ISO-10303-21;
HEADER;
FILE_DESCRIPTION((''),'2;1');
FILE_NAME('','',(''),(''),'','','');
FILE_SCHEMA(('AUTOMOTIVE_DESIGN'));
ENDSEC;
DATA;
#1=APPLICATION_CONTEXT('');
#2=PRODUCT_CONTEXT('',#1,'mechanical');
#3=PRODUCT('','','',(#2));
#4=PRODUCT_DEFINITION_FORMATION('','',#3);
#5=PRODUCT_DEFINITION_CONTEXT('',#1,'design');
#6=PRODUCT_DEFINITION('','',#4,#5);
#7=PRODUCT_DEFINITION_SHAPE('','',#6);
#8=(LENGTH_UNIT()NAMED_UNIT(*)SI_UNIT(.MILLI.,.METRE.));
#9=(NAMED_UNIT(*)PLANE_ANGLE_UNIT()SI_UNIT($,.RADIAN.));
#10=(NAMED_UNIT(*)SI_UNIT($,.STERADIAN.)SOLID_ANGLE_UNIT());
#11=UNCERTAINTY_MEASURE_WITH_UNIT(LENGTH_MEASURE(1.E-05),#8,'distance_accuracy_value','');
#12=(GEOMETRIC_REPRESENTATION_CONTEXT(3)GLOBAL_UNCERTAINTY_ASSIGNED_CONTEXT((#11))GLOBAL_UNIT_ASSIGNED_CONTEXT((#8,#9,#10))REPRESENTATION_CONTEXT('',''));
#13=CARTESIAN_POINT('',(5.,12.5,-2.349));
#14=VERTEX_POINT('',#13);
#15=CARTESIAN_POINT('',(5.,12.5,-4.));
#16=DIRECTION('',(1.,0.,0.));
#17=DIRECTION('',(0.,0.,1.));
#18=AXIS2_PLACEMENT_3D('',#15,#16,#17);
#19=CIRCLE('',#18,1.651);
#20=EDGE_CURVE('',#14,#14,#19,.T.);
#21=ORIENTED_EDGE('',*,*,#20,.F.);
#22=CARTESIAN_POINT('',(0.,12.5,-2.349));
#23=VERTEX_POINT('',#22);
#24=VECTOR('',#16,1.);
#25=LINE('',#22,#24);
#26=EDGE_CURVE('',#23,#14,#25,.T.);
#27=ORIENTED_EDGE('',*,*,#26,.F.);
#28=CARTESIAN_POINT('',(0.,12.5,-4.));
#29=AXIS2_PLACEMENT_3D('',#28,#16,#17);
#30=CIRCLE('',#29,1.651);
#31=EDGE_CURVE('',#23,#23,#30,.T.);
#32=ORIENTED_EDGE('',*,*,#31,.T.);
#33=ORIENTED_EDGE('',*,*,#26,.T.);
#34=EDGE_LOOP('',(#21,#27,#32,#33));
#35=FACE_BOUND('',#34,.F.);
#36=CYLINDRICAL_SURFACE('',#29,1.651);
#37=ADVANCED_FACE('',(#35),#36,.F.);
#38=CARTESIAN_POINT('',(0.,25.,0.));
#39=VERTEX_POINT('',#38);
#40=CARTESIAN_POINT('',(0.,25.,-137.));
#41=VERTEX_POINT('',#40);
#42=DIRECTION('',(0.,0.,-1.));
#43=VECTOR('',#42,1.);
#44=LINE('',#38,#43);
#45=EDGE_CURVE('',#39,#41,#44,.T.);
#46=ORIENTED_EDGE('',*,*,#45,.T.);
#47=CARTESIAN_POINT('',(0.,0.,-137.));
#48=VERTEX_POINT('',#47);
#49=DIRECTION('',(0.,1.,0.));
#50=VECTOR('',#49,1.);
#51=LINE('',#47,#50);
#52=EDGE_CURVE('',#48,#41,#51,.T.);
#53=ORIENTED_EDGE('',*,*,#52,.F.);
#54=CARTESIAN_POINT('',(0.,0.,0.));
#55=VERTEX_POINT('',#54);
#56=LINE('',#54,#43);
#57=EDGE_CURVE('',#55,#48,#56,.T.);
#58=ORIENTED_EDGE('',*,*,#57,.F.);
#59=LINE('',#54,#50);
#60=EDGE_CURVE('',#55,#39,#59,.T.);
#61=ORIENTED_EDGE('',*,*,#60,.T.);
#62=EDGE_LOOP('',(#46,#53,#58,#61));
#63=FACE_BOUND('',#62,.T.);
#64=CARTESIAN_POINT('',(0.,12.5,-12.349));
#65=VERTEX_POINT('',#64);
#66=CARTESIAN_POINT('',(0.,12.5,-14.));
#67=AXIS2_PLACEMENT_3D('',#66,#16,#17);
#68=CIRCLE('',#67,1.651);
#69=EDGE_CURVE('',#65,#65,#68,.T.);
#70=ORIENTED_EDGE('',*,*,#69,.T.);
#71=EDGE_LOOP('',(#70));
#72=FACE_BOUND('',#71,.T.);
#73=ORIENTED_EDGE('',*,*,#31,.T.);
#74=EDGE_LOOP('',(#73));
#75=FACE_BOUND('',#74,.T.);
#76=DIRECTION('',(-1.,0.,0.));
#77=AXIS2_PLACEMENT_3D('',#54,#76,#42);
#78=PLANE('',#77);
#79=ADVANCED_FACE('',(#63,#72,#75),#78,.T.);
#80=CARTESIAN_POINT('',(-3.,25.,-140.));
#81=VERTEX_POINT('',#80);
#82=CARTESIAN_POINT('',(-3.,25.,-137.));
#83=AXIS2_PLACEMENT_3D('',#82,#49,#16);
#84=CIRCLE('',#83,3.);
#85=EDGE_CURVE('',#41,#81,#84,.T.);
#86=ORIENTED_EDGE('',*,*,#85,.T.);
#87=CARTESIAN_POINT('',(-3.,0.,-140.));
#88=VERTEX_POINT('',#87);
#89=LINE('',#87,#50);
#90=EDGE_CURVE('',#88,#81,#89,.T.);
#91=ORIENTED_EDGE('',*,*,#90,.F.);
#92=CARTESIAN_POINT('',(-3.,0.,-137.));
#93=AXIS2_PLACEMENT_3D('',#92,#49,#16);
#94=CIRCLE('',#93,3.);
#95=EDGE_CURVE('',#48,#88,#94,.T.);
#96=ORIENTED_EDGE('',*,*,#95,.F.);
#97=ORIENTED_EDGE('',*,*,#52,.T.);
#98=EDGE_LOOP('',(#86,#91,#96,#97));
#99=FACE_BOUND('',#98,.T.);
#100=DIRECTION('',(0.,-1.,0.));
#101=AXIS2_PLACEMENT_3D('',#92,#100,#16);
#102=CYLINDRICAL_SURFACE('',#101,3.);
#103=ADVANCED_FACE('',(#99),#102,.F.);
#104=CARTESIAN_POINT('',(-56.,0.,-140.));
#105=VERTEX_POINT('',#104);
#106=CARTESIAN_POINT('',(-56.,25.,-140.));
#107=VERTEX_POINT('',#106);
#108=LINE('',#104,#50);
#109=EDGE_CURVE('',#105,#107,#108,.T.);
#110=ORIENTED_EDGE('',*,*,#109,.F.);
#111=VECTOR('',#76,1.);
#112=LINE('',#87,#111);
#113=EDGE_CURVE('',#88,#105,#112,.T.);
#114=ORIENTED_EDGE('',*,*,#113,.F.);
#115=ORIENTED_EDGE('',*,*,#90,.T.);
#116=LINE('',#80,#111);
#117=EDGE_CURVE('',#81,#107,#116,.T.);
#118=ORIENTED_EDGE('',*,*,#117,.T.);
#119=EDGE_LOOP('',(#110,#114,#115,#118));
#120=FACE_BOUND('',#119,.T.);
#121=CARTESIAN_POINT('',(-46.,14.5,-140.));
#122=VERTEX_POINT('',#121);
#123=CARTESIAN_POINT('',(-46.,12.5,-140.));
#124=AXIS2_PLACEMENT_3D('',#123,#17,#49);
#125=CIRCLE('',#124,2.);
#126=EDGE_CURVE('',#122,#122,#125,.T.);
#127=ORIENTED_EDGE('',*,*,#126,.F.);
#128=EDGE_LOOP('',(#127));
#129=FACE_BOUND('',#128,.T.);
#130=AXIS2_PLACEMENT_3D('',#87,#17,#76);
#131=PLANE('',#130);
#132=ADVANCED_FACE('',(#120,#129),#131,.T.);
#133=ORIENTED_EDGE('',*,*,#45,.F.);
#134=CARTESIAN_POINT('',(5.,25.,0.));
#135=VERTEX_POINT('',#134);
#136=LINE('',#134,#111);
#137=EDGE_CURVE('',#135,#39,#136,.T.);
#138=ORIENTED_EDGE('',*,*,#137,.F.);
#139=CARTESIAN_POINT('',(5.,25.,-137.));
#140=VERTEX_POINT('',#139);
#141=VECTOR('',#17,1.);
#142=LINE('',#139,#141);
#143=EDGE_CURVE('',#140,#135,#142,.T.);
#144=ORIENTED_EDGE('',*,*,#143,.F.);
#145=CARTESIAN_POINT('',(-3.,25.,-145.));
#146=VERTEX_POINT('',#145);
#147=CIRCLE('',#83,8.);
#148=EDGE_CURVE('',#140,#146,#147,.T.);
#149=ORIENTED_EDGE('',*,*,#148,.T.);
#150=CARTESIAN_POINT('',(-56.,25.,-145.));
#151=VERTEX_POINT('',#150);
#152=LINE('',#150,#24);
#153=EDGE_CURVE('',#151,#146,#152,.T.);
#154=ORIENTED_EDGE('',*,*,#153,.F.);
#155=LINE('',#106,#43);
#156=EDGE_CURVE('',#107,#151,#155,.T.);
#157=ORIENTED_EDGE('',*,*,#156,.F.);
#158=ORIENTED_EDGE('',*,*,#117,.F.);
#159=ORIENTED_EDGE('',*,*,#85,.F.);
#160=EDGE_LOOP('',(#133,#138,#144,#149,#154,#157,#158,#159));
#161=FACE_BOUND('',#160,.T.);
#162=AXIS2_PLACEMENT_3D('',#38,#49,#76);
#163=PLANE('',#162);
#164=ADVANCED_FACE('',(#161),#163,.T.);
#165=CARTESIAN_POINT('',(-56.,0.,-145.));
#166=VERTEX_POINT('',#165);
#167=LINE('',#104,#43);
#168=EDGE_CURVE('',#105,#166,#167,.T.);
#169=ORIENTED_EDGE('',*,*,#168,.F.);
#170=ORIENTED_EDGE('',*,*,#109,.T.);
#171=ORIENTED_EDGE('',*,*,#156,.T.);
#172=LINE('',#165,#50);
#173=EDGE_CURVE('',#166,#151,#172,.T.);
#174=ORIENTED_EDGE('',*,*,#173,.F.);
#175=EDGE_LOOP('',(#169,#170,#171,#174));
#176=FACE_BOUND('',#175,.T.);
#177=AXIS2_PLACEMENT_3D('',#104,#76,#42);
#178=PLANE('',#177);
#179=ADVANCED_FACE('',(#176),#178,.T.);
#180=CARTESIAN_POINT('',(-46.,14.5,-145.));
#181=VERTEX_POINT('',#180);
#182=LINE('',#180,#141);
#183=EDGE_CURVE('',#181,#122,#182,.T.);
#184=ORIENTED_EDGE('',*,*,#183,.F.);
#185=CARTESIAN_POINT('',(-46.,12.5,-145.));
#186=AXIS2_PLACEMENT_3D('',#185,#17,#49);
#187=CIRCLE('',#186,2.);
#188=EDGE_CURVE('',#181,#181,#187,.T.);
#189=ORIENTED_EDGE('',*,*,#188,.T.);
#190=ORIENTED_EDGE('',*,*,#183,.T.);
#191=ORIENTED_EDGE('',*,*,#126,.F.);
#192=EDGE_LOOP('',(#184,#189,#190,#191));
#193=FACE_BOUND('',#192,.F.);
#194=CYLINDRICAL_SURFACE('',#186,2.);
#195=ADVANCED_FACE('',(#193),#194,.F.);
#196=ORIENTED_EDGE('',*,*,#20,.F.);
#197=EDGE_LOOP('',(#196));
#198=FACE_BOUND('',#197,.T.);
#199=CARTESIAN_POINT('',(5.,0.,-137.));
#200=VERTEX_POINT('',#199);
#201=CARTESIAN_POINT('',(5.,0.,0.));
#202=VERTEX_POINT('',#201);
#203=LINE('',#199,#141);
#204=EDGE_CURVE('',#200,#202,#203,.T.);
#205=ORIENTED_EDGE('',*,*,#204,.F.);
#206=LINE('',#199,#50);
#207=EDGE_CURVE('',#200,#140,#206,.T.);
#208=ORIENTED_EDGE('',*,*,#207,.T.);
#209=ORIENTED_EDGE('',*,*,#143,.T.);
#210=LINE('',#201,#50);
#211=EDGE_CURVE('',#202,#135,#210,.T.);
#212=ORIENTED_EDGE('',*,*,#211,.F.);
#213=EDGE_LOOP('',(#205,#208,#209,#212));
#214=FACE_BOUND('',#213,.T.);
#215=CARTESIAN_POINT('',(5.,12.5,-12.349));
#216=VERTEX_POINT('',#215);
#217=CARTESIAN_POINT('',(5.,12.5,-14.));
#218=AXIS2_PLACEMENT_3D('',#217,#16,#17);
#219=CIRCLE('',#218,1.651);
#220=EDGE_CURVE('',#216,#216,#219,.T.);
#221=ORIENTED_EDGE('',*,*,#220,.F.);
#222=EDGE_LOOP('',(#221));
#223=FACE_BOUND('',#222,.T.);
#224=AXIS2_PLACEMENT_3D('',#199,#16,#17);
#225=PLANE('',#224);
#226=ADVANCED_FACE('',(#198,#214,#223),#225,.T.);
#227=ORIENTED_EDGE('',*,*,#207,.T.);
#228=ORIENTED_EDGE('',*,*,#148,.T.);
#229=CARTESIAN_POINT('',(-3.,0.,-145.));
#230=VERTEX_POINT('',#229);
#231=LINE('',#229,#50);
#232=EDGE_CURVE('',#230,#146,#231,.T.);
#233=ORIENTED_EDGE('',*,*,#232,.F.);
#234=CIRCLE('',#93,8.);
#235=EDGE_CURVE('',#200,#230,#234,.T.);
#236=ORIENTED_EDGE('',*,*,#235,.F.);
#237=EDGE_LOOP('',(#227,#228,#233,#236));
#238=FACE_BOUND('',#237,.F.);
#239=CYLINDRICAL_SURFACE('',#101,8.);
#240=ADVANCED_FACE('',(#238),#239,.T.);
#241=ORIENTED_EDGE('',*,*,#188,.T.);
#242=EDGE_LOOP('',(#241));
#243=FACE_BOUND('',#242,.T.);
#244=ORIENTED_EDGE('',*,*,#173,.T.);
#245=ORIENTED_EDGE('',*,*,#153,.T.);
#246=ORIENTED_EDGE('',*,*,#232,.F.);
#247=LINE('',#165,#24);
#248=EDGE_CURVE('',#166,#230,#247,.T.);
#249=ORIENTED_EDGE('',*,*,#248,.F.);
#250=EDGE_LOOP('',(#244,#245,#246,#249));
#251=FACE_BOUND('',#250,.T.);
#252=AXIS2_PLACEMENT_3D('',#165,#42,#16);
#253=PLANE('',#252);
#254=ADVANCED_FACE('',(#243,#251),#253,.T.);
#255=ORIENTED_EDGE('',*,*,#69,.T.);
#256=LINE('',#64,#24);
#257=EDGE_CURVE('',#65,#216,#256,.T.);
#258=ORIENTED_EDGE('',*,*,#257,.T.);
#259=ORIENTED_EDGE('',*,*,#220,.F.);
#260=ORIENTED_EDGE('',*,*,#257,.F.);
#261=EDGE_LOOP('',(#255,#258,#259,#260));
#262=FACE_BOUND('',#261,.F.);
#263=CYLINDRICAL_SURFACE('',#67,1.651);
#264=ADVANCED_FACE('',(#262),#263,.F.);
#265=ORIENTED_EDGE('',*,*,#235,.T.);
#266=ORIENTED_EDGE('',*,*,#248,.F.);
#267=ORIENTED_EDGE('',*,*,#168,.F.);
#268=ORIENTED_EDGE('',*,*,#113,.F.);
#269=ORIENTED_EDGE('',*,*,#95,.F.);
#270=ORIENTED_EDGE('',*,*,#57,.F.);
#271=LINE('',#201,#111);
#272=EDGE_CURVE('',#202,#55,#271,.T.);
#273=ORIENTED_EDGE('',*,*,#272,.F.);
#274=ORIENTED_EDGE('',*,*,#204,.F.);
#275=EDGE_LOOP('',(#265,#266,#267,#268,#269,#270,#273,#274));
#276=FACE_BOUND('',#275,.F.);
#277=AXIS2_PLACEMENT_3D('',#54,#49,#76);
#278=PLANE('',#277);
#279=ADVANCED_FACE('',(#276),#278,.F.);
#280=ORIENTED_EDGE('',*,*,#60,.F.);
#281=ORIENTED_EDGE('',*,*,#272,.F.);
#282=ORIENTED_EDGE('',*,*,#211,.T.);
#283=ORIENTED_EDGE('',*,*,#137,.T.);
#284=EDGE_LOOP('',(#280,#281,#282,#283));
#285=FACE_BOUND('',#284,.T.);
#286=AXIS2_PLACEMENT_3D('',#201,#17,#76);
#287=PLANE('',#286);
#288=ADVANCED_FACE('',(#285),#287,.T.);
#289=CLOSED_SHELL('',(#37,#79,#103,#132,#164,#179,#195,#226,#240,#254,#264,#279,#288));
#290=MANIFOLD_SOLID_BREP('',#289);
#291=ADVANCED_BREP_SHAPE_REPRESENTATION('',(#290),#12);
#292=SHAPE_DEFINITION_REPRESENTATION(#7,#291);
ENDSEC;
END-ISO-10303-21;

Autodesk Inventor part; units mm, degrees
ref_plane "YZ Plane" through (0, 0, 0) normal (1, 0, 0) x (0, 1, 0)
ref_plane "XZ Plane" through (0, 0, 0) normal (0, 1, 0) x (-1, 0, 0)
ref_plane "XY Plane" through (0, 0, 0) normal (0, 0, 1) x (1, 0, 0)
sketch "Sketch1" plane through (0, 0, 0) normal (0, 1, 0) x (-1, 0, 0)
  line L0 (0, 0) -> (0, -137)
  line L1 (3, -140) -> (56, -140)
  arc A0 (0, -137) -> (3, -140) centre (3, -137) ccw
  line L2 (56, -145) -> (3, -145)
  arc A1 (-5, -137) -> (3, -145) centre (3, -137) ccw
  line L3 (-5, -137) -> (-5, 0)
  line L4 (56, -140) -> (56, -145)
  line L5 (-5, 0) -> (0, 0)
  point P0 (0, -140)
  dimension "d0" = 140
  dimension "d1" = 56
  dimension "d2" = 3
  dimension "d3" = 5
extrude "Extrusion1" add sketch "Sketch1" along normal blind 25
sketch "Sketch2" plane through (-3, 0, -145) normal (0, 0, -1) x (-1, 0, 0)
  line L0 (53, 0) -> (0, 0) projected
  line L1 (53, 0) -> (53, 25) projected
  line L2 (0, 25) -> (53, 25) projected
  line L3 (0, 0) -> (0, 25) projected
  circle A0 centre (43, 12.5) radius 2
  point P0 (-3, 0)
  dimension "d6" = 4
  dimension "d7" = 12.5
  dimension "d8" = 10
hole "Hole1" at (-46, 12.5, -145) direction (0, 0, 1) diameter 4 end through all
sketch "Sketch3" plane through (0, 0, -137) normal (-1, 0, 0) x (0, 0, 1)
  line L0 (137, 0) -> (0, 0) projected
  line L1 (137, 0) -> (137, 25) projected
  line L2 (0, 25) -> (137, 25) projected
  line L3 (0, 0) -> (0, 25) projected
  circle A0 centre (123, 12.5) radius 2
  circle A1 centre (133, 12.5) radius 2
  dimension "d16" = 4
  dimension "d17" = 4
  dimension "d18" = 4
  dimension "d19" = 14
  dimension "d20" = 12.5
  dimension "d21" = 12.5
hole "Hole2" at (0, 12.5, -14) at (0, 12.5, -4) direction (1, 0, 0) diameter 3.302 end through all
properties part number "Brazo"
